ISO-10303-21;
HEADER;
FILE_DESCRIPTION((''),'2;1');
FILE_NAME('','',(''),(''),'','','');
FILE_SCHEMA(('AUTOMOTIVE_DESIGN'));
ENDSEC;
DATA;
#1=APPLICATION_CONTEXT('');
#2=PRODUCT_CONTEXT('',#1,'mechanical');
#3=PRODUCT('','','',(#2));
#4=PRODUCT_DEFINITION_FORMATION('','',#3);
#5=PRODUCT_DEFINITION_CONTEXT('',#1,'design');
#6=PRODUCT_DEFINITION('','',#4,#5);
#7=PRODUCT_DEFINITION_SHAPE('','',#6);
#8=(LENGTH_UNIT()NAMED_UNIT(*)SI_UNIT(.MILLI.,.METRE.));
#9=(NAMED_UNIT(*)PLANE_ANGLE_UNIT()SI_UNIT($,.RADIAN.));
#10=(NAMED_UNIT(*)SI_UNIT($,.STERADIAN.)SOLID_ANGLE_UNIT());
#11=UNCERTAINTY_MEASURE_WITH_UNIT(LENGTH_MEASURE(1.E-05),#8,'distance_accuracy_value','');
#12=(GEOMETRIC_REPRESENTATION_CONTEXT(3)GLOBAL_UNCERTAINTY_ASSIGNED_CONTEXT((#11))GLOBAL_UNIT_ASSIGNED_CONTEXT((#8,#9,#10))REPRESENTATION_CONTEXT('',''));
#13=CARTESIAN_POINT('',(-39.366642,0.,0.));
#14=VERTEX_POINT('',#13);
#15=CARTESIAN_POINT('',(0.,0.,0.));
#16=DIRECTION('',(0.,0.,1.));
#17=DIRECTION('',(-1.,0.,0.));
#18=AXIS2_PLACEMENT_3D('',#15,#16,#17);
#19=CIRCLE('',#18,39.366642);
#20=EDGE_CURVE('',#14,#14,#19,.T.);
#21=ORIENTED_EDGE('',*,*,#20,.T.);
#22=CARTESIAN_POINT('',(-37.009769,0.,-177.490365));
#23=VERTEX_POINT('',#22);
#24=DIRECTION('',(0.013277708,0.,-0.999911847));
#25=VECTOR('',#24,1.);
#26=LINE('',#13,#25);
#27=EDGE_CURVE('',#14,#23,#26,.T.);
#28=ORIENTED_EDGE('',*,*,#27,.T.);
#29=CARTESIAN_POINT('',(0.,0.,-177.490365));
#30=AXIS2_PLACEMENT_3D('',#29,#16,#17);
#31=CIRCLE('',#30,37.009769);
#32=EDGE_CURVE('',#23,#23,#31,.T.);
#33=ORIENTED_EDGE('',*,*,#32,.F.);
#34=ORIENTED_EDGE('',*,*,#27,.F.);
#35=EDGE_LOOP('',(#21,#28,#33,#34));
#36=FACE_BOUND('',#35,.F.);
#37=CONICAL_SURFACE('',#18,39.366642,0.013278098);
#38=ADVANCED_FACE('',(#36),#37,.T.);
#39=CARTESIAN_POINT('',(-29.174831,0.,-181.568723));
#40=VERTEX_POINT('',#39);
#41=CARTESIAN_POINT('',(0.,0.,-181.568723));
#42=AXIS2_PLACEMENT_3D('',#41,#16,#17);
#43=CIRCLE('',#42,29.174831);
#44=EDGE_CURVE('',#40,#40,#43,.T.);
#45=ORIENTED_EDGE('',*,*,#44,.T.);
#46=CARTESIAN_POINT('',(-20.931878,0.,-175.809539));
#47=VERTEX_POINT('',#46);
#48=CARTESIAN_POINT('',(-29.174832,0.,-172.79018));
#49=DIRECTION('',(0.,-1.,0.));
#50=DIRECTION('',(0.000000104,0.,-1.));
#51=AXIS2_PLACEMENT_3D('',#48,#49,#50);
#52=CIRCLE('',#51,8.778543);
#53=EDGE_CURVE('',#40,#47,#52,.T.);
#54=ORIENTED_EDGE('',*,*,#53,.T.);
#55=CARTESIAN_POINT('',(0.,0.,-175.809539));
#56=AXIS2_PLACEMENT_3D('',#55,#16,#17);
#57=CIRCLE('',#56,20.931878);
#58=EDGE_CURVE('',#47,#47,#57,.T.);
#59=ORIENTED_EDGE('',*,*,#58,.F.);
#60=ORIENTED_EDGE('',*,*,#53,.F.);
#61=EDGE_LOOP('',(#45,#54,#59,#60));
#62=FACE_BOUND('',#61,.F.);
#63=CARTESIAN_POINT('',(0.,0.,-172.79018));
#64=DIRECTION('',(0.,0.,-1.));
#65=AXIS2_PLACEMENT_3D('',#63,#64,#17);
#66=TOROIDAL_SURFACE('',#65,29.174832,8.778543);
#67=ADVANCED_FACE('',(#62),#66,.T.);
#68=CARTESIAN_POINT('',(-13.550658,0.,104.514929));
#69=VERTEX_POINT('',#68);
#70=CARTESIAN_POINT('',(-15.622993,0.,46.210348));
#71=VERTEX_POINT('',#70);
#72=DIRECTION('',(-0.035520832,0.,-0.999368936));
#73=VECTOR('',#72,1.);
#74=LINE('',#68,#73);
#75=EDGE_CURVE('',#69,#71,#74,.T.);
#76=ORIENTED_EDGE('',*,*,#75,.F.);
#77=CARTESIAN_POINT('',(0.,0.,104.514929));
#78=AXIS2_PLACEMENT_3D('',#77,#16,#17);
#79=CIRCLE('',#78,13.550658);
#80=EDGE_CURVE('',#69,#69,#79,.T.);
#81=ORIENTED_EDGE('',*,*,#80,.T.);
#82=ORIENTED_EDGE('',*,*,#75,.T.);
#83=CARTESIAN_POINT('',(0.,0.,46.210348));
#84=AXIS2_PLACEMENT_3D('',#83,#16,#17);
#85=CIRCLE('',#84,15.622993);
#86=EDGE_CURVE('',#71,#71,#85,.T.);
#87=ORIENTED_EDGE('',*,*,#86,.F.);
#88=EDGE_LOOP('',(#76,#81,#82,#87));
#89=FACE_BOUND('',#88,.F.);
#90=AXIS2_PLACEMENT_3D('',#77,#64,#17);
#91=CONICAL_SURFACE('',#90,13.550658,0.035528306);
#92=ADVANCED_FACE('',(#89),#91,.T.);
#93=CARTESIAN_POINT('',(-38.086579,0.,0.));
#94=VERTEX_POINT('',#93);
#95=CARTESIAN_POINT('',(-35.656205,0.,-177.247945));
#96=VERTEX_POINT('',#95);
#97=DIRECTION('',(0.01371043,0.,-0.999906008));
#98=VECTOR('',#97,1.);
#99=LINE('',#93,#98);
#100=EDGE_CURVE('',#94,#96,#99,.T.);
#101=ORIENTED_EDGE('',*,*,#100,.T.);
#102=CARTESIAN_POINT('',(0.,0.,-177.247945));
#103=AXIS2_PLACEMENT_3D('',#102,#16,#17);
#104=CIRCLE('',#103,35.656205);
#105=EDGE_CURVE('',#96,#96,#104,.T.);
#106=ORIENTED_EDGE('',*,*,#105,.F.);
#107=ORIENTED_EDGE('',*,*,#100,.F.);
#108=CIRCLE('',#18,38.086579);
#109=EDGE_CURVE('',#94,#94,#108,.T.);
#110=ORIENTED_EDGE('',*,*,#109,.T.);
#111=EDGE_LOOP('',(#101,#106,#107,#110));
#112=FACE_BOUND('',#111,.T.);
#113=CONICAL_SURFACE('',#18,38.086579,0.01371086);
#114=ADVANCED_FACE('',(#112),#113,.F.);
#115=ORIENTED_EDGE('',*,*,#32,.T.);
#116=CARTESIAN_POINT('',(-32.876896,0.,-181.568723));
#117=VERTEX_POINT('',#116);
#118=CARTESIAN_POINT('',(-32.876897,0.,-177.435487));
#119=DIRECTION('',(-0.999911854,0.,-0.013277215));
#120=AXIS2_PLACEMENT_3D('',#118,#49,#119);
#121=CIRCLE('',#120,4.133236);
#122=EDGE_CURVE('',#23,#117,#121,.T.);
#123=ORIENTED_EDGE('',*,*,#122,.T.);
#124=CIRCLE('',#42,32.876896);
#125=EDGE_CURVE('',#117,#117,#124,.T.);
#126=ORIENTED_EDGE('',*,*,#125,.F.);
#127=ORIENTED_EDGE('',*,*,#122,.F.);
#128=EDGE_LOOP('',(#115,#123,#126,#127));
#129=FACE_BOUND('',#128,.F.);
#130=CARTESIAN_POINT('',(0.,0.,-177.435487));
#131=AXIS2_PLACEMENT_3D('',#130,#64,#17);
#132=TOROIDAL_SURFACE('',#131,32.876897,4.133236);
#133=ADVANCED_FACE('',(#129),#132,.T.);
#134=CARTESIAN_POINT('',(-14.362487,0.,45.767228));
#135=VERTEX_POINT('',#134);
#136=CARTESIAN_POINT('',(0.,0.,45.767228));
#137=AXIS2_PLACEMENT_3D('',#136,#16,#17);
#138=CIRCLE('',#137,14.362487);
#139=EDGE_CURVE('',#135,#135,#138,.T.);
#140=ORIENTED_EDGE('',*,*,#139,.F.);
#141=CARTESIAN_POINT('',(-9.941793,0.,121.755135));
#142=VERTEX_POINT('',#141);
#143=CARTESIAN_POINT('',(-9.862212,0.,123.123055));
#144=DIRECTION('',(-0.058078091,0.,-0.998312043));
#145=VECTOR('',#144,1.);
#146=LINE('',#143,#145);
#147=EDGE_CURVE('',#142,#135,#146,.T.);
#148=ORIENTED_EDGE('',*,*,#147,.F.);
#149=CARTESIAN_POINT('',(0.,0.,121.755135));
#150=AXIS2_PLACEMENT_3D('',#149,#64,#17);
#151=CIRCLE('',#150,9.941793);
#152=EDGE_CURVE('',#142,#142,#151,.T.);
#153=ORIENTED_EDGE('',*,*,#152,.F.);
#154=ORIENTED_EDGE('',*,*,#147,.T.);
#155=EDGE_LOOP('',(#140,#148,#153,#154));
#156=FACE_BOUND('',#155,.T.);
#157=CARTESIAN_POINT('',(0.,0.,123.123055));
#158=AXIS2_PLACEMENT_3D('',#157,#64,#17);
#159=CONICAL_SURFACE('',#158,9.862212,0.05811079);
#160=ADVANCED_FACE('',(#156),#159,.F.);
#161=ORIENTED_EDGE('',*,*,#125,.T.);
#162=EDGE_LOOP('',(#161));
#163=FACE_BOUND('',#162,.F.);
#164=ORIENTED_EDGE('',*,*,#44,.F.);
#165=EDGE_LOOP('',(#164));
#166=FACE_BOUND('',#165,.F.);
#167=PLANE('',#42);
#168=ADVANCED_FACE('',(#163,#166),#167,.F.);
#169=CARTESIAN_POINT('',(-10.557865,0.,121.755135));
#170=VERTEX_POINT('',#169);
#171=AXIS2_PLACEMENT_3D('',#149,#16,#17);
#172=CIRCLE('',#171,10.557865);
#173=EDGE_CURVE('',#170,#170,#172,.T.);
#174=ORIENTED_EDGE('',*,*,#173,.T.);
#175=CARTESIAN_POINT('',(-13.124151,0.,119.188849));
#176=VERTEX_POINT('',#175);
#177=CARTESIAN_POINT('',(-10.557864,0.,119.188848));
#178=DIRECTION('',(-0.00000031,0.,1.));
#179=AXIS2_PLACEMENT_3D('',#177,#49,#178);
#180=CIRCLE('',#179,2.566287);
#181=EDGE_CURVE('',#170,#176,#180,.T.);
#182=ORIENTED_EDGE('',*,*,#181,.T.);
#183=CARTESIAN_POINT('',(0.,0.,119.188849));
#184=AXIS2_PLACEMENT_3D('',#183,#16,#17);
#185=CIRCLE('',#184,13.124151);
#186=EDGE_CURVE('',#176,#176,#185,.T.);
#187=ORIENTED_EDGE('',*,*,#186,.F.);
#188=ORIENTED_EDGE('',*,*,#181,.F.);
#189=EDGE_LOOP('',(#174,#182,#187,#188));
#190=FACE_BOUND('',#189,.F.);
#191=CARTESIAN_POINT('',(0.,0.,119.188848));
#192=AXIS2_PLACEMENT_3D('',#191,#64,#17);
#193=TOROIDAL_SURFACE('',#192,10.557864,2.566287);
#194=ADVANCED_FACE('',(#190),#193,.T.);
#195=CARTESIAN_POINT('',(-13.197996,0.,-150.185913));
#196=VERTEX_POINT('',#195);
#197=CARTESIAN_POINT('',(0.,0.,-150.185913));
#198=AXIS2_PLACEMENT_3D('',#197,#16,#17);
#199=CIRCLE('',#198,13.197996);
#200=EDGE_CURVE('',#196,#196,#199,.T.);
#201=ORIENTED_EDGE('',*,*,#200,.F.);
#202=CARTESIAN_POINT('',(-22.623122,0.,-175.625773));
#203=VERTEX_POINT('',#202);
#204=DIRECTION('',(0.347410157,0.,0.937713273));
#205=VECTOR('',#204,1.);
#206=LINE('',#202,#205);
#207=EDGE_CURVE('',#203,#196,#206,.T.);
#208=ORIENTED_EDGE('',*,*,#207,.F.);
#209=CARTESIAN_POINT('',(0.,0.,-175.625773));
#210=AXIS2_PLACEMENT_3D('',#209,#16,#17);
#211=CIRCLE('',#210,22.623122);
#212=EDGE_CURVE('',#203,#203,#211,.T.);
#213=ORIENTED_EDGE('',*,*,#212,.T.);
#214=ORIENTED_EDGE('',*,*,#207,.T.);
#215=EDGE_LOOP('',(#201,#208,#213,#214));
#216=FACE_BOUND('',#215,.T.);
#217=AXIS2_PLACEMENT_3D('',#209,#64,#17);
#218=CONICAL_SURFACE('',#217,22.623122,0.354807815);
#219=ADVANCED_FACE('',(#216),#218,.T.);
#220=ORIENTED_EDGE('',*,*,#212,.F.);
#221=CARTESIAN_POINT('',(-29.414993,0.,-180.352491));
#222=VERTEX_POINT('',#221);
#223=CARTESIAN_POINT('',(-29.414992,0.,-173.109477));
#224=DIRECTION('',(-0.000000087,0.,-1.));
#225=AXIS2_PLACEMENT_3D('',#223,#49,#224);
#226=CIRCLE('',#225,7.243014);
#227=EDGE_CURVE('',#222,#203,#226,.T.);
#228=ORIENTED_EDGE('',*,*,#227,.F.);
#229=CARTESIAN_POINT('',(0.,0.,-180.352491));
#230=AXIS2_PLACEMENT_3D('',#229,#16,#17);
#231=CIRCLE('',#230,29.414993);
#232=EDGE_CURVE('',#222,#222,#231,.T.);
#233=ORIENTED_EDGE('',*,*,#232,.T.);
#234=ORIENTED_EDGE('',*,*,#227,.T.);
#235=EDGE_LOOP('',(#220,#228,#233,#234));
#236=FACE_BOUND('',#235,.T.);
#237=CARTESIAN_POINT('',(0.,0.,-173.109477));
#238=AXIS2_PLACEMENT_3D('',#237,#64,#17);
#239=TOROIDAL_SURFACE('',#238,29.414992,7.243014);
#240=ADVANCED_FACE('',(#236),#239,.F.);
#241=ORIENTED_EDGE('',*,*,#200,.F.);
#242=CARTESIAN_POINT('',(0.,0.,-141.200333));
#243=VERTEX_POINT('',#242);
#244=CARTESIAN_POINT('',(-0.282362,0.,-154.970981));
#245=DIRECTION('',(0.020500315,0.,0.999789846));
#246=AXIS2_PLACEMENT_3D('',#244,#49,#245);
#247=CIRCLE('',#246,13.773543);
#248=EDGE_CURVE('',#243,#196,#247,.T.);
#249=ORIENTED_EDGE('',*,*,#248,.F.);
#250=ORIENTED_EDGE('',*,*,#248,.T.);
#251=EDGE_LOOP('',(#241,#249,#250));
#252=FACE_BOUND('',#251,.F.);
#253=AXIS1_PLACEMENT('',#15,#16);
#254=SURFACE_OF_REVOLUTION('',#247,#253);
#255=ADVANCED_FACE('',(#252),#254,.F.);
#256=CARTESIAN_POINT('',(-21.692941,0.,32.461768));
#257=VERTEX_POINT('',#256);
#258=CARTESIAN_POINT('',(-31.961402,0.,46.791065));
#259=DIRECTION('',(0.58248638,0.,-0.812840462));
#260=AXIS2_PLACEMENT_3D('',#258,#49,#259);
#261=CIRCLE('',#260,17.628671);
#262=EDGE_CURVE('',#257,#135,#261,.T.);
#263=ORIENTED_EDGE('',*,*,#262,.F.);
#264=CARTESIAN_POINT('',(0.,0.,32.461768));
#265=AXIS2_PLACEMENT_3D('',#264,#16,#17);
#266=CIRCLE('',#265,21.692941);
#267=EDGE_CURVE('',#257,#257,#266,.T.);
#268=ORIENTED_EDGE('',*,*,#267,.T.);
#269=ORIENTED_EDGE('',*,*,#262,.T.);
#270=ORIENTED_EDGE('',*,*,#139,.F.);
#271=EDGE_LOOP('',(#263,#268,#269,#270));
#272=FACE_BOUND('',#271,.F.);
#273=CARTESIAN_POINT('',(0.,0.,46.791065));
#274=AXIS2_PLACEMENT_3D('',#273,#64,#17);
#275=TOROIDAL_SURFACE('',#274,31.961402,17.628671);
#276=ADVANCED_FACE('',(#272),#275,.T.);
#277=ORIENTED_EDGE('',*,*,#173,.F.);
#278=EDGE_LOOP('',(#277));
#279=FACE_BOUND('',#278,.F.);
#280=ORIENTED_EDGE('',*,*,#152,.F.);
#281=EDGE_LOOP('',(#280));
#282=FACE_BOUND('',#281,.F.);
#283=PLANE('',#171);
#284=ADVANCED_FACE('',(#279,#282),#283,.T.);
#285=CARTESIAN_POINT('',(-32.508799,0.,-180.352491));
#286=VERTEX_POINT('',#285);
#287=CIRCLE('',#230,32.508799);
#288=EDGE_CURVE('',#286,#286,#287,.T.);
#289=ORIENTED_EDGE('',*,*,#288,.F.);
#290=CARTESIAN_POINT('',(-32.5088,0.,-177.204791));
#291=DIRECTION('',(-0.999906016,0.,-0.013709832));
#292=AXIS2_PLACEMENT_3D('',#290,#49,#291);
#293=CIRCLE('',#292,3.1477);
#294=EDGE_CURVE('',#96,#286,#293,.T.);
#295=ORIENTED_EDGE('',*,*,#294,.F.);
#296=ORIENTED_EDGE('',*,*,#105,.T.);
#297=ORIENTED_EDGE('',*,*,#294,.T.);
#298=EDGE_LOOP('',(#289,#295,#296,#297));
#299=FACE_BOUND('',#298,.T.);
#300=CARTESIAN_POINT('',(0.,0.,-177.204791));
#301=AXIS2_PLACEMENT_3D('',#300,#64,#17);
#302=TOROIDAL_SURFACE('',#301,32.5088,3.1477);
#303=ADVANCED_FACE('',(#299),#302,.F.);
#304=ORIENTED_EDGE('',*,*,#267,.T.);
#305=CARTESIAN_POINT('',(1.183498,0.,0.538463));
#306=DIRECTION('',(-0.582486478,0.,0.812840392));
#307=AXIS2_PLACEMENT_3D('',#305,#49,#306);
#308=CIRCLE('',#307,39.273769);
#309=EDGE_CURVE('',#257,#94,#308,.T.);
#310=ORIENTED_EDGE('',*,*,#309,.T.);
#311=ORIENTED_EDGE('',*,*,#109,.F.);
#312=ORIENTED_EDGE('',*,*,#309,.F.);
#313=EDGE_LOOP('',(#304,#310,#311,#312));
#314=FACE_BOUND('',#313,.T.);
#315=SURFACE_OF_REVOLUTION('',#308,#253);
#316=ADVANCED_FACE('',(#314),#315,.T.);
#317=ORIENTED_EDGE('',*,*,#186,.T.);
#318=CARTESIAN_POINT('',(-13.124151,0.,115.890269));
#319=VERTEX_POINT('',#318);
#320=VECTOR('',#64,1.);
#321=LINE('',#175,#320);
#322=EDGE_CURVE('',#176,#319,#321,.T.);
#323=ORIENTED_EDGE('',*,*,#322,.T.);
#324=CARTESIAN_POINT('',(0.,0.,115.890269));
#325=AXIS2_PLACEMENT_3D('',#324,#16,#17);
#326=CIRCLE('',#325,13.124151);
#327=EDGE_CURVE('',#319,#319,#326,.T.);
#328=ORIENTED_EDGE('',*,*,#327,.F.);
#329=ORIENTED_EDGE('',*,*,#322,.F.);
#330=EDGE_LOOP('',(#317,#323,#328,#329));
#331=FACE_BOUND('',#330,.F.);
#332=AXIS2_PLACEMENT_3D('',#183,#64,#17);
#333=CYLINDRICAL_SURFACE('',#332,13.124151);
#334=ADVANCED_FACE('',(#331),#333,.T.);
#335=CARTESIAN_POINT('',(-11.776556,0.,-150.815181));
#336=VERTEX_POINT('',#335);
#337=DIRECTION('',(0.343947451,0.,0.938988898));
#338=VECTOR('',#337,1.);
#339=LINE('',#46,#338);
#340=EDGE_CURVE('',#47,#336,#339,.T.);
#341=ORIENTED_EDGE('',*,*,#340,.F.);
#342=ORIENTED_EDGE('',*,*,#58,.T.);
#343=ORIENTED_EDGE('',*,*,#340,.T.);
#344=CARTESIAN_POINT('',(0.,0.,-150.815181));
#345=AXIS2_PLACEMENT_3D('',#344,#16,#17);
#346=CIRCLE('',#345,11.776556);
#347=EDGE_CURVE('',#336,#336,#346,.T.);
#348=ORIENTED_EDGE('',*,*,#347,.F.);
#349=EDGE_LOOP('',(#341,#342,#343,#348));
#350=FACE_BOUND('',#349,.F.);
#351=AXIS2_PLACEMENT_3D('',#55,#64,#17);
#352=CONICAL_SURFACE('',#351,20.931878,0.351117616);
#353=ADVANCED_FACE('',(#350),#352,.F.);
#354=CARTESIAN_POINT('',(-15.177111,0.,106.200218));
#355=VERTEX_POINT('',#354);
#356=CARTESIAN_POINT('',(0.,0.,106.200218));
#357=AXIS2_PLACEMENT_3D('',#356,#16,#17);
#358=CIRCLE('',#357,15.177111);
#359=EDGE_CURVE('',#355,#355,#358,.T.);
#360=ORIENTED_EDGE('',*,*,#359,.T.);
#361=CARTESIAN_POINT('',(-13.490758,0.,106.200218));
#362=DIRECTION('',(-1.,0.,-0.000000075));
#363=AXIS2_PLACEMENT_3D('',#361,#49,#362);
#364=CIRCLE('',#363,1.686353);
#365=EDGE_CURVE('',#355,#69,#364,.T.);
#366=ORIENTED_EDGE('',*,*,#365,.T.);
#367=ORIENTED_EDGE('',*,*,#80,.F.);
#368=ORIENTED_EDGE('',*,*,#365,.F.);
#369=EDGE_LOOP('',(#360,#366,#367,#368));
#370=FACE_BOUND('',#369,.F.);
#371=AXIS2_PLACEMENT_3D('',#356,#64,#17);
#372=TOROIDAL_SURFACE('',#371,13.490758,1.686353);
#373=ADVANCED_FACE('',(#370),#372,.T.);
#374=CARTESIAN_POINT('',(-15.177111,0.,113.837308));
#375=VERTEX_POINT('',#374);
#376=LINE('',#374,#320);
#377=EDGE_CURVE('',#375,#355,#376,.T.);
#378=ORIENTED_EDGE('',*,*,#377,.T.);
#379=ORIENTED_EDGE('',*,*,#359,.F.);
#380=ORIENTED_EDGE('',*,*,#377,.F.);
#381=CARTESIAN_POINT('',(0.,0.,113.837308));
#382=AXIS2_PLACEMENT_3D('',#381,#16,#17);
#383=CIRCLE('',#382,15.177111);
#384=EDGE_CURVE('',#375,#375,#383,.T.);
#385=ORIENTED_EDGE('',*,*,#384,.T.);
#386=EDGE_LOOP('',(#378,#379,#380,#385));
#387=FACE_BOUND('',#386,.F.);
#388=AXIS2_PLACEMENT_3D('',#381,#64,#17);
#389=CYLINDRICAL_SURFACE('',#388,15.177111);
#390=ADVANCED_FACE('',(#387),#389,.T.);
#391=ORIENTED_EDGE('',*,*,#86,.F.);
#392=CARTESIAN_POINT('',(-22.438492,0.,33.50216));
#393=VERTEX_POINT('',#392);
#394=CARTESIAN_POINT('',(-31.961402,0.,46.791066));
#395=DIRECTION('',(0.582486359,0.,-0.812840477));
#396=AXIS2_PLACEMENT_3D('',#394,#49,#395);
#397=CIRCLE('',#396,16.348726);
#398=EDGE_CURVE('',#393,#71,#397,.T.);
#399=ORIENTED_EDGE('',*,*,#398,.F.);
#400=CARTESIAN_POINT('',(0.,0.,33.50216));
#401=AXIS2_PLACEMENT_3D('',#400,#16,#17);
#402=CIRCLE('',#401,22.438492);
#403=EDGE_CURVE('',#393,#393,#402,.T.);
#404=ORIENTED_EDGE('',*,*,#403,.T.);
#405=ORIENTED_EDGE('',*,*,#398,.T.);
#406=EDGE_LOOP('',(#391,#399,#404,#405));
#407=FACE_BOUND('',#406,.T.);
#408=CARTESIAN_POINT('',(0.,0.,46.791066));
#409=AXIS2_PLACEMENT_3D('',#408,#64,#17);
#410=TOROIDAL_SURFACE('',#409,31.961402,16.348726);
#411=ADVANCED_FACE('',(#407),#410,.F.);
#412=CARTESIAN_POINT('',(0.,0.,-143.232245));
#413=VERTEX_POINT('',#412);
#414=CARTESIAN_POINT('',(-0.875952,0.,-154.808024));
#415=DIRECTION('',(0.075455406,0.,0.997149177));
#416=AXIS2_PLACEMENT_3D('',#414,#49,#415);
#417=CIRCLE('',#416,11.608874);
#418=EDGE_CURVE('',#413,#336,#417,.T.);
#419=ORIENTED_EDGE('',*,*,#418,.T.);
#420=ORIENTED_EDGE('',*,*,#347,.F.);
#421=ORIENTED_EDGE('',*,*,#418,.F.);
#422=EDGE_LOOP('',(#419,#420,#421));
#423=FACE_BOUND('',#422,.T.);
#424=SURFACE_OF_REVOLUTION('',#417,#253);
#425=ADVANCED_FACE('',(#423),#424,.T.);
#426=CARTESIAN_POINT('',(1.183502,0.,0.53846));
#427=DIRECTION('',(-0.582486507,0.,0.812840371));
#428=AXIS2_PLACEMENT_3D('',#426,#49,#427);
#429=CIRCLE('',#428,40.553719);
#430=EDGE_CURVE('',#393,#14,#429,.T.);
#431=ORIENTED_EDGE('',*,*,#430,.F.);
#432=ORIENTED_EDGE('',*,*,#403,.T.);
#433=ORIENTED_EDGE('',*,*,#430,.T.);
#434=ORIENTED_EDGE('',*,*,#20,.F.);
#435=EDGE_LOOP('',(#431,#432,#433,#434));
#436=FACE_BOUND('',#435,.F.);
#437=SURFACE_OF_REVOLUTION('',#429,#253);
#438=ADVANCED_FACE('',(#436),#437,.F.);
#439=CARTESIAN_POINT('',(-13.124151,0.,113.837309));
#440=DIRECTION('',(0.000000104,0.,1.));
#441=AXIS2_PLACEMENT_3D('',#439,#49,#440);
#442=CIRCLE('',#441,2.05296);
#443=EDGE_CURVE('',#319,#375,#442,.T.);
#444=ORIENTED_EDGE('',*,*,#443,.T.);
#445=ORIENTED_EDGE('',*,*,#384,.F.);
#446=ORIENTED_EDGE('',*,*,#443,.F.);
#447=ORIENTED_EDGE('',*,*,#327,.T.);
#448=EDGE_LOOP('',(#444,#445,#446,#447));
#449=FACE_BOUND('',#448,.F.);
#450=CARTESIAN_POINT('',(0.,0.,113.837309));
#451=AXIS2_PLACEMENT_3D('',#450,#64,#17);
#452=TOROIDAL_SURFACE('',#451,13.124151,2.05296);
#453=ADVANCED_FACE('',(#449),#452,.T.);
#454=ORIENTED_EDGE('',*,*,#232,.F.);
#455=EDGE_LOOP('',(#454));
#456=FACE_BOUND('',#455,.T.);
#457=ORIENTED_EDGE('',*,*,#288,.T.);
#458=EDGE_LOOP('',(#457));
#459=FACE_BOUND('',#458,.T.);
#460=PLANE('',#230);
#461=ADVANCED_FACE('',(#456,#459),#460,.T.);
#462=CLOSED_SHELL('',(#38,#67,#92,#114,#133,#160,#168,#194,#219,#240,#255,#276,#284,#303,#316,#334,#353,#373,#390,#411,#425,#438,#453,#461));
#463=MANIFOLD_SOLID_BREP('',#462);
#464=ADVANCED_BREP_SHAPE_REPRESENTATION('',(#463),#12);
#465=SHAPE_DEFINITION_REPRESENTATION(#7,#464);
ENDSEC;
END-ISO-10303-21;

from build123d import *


with BuildPart() as part:
    # Sketch → Revolution (revolve)
    with BuildSketch(Plane.XZ):
        with BuildLine():
            Line((0, 121.755135), (-10.557865, 121.755135))
            ThreePointArc((-10.557865, 121.755135), (-12.372503, 121.003487), (-13.124151, 119.188849))
            Line((-13.124151, 119.188849), (-13.124151, 115.890269))
            ThreePointArc((-13.124151, 115.890269), (-14.575813, 115.288971), (-15.177111, 113.837308))
            Line((-15.177111, 113.837308), (-15.177111, 106.200218))
            ThreePointArc((-15.177111, 106.200218), (-14.704183, 105.029156), (-13.550658, 104.514929))
            Line((-13.550658, 104.514929), (-15.622993, 46.210348))
            ThreePointArc((-22.438492, 33.50216), (-17.553888, 39.064205), (-15.622993, 46.210348))
            ThreePointArc((-22.438492, 33.50216), (-35.012002, 18.827517), (-39.366642, 0))
            Line((-39.366642, 0), (-37.009769, -177.490365))
            ThreePointArc((-37.009769, -177.490365), (-35.780069, -180.377465), (-32.876896, -181.568723))
            Line((-32.876896, -181.568723), (-29.174831, -181.568723))
            ThreePointArc((-29.174831, -181.568723), (-24.147046, -179.986303), (-20.931878, -175.809539))
            Line((-20.931878, -175.809539), (-11.776556, -150.815181))
            ThreePointArc((0, -143.232245), (-7.160746, -145.047526), (-11.776556, -150.815181))
            Line((0, -143.232245), (0, 121.755135))
        make_face()
    revolve(axis=Axis((0, 0, 0), (0, 0, 1)))

    # Sketch001 → Groove (revolve, cut)
    with BuildSketch(Plane.XZ):
        with BuildLine():
            Line((0, 123.123055), (-9.862212, 123.123055))
            Line((-9.862212, 123.123055), (-14.362487, 45.767228))
            ThreePointArc((-21.692941, 32.461768), (-16.520985, 38.284387), (-14.362487, 45.767228))
            ThreePointArc((-21.692941, 32.461768), (-33.873441, 18.242697), (-38.086579, 0))
            Line((-38.086579, 0), (-35.656205, -177.247945))
            ThreePointArc((-35.656205, -177.247945), (-34.71925, -179.445757), (-32.508799, -180.352491))
            Line((-32.508799, -180.352491), (-29.414993, -180.352491))
            ThreePointArc((-29.414993, -180.352491), (-25.277622, -179.05451), (-22.623122, -175.625773))
            Line((-22.623122, -175.625773), (-13.197996, -150.185913))
            ThreePointArc((0, -141.200333), (-8.033817, -143.585665), (-13.197996, -150.185913))
            Line((0, -141.200333), (0, 123.123055))
        make_face()
    revolve(axis=Axis((0, 0, 0), (0, 0, 1)), mode=Mode.SUBTRACT)


solid = part.part
